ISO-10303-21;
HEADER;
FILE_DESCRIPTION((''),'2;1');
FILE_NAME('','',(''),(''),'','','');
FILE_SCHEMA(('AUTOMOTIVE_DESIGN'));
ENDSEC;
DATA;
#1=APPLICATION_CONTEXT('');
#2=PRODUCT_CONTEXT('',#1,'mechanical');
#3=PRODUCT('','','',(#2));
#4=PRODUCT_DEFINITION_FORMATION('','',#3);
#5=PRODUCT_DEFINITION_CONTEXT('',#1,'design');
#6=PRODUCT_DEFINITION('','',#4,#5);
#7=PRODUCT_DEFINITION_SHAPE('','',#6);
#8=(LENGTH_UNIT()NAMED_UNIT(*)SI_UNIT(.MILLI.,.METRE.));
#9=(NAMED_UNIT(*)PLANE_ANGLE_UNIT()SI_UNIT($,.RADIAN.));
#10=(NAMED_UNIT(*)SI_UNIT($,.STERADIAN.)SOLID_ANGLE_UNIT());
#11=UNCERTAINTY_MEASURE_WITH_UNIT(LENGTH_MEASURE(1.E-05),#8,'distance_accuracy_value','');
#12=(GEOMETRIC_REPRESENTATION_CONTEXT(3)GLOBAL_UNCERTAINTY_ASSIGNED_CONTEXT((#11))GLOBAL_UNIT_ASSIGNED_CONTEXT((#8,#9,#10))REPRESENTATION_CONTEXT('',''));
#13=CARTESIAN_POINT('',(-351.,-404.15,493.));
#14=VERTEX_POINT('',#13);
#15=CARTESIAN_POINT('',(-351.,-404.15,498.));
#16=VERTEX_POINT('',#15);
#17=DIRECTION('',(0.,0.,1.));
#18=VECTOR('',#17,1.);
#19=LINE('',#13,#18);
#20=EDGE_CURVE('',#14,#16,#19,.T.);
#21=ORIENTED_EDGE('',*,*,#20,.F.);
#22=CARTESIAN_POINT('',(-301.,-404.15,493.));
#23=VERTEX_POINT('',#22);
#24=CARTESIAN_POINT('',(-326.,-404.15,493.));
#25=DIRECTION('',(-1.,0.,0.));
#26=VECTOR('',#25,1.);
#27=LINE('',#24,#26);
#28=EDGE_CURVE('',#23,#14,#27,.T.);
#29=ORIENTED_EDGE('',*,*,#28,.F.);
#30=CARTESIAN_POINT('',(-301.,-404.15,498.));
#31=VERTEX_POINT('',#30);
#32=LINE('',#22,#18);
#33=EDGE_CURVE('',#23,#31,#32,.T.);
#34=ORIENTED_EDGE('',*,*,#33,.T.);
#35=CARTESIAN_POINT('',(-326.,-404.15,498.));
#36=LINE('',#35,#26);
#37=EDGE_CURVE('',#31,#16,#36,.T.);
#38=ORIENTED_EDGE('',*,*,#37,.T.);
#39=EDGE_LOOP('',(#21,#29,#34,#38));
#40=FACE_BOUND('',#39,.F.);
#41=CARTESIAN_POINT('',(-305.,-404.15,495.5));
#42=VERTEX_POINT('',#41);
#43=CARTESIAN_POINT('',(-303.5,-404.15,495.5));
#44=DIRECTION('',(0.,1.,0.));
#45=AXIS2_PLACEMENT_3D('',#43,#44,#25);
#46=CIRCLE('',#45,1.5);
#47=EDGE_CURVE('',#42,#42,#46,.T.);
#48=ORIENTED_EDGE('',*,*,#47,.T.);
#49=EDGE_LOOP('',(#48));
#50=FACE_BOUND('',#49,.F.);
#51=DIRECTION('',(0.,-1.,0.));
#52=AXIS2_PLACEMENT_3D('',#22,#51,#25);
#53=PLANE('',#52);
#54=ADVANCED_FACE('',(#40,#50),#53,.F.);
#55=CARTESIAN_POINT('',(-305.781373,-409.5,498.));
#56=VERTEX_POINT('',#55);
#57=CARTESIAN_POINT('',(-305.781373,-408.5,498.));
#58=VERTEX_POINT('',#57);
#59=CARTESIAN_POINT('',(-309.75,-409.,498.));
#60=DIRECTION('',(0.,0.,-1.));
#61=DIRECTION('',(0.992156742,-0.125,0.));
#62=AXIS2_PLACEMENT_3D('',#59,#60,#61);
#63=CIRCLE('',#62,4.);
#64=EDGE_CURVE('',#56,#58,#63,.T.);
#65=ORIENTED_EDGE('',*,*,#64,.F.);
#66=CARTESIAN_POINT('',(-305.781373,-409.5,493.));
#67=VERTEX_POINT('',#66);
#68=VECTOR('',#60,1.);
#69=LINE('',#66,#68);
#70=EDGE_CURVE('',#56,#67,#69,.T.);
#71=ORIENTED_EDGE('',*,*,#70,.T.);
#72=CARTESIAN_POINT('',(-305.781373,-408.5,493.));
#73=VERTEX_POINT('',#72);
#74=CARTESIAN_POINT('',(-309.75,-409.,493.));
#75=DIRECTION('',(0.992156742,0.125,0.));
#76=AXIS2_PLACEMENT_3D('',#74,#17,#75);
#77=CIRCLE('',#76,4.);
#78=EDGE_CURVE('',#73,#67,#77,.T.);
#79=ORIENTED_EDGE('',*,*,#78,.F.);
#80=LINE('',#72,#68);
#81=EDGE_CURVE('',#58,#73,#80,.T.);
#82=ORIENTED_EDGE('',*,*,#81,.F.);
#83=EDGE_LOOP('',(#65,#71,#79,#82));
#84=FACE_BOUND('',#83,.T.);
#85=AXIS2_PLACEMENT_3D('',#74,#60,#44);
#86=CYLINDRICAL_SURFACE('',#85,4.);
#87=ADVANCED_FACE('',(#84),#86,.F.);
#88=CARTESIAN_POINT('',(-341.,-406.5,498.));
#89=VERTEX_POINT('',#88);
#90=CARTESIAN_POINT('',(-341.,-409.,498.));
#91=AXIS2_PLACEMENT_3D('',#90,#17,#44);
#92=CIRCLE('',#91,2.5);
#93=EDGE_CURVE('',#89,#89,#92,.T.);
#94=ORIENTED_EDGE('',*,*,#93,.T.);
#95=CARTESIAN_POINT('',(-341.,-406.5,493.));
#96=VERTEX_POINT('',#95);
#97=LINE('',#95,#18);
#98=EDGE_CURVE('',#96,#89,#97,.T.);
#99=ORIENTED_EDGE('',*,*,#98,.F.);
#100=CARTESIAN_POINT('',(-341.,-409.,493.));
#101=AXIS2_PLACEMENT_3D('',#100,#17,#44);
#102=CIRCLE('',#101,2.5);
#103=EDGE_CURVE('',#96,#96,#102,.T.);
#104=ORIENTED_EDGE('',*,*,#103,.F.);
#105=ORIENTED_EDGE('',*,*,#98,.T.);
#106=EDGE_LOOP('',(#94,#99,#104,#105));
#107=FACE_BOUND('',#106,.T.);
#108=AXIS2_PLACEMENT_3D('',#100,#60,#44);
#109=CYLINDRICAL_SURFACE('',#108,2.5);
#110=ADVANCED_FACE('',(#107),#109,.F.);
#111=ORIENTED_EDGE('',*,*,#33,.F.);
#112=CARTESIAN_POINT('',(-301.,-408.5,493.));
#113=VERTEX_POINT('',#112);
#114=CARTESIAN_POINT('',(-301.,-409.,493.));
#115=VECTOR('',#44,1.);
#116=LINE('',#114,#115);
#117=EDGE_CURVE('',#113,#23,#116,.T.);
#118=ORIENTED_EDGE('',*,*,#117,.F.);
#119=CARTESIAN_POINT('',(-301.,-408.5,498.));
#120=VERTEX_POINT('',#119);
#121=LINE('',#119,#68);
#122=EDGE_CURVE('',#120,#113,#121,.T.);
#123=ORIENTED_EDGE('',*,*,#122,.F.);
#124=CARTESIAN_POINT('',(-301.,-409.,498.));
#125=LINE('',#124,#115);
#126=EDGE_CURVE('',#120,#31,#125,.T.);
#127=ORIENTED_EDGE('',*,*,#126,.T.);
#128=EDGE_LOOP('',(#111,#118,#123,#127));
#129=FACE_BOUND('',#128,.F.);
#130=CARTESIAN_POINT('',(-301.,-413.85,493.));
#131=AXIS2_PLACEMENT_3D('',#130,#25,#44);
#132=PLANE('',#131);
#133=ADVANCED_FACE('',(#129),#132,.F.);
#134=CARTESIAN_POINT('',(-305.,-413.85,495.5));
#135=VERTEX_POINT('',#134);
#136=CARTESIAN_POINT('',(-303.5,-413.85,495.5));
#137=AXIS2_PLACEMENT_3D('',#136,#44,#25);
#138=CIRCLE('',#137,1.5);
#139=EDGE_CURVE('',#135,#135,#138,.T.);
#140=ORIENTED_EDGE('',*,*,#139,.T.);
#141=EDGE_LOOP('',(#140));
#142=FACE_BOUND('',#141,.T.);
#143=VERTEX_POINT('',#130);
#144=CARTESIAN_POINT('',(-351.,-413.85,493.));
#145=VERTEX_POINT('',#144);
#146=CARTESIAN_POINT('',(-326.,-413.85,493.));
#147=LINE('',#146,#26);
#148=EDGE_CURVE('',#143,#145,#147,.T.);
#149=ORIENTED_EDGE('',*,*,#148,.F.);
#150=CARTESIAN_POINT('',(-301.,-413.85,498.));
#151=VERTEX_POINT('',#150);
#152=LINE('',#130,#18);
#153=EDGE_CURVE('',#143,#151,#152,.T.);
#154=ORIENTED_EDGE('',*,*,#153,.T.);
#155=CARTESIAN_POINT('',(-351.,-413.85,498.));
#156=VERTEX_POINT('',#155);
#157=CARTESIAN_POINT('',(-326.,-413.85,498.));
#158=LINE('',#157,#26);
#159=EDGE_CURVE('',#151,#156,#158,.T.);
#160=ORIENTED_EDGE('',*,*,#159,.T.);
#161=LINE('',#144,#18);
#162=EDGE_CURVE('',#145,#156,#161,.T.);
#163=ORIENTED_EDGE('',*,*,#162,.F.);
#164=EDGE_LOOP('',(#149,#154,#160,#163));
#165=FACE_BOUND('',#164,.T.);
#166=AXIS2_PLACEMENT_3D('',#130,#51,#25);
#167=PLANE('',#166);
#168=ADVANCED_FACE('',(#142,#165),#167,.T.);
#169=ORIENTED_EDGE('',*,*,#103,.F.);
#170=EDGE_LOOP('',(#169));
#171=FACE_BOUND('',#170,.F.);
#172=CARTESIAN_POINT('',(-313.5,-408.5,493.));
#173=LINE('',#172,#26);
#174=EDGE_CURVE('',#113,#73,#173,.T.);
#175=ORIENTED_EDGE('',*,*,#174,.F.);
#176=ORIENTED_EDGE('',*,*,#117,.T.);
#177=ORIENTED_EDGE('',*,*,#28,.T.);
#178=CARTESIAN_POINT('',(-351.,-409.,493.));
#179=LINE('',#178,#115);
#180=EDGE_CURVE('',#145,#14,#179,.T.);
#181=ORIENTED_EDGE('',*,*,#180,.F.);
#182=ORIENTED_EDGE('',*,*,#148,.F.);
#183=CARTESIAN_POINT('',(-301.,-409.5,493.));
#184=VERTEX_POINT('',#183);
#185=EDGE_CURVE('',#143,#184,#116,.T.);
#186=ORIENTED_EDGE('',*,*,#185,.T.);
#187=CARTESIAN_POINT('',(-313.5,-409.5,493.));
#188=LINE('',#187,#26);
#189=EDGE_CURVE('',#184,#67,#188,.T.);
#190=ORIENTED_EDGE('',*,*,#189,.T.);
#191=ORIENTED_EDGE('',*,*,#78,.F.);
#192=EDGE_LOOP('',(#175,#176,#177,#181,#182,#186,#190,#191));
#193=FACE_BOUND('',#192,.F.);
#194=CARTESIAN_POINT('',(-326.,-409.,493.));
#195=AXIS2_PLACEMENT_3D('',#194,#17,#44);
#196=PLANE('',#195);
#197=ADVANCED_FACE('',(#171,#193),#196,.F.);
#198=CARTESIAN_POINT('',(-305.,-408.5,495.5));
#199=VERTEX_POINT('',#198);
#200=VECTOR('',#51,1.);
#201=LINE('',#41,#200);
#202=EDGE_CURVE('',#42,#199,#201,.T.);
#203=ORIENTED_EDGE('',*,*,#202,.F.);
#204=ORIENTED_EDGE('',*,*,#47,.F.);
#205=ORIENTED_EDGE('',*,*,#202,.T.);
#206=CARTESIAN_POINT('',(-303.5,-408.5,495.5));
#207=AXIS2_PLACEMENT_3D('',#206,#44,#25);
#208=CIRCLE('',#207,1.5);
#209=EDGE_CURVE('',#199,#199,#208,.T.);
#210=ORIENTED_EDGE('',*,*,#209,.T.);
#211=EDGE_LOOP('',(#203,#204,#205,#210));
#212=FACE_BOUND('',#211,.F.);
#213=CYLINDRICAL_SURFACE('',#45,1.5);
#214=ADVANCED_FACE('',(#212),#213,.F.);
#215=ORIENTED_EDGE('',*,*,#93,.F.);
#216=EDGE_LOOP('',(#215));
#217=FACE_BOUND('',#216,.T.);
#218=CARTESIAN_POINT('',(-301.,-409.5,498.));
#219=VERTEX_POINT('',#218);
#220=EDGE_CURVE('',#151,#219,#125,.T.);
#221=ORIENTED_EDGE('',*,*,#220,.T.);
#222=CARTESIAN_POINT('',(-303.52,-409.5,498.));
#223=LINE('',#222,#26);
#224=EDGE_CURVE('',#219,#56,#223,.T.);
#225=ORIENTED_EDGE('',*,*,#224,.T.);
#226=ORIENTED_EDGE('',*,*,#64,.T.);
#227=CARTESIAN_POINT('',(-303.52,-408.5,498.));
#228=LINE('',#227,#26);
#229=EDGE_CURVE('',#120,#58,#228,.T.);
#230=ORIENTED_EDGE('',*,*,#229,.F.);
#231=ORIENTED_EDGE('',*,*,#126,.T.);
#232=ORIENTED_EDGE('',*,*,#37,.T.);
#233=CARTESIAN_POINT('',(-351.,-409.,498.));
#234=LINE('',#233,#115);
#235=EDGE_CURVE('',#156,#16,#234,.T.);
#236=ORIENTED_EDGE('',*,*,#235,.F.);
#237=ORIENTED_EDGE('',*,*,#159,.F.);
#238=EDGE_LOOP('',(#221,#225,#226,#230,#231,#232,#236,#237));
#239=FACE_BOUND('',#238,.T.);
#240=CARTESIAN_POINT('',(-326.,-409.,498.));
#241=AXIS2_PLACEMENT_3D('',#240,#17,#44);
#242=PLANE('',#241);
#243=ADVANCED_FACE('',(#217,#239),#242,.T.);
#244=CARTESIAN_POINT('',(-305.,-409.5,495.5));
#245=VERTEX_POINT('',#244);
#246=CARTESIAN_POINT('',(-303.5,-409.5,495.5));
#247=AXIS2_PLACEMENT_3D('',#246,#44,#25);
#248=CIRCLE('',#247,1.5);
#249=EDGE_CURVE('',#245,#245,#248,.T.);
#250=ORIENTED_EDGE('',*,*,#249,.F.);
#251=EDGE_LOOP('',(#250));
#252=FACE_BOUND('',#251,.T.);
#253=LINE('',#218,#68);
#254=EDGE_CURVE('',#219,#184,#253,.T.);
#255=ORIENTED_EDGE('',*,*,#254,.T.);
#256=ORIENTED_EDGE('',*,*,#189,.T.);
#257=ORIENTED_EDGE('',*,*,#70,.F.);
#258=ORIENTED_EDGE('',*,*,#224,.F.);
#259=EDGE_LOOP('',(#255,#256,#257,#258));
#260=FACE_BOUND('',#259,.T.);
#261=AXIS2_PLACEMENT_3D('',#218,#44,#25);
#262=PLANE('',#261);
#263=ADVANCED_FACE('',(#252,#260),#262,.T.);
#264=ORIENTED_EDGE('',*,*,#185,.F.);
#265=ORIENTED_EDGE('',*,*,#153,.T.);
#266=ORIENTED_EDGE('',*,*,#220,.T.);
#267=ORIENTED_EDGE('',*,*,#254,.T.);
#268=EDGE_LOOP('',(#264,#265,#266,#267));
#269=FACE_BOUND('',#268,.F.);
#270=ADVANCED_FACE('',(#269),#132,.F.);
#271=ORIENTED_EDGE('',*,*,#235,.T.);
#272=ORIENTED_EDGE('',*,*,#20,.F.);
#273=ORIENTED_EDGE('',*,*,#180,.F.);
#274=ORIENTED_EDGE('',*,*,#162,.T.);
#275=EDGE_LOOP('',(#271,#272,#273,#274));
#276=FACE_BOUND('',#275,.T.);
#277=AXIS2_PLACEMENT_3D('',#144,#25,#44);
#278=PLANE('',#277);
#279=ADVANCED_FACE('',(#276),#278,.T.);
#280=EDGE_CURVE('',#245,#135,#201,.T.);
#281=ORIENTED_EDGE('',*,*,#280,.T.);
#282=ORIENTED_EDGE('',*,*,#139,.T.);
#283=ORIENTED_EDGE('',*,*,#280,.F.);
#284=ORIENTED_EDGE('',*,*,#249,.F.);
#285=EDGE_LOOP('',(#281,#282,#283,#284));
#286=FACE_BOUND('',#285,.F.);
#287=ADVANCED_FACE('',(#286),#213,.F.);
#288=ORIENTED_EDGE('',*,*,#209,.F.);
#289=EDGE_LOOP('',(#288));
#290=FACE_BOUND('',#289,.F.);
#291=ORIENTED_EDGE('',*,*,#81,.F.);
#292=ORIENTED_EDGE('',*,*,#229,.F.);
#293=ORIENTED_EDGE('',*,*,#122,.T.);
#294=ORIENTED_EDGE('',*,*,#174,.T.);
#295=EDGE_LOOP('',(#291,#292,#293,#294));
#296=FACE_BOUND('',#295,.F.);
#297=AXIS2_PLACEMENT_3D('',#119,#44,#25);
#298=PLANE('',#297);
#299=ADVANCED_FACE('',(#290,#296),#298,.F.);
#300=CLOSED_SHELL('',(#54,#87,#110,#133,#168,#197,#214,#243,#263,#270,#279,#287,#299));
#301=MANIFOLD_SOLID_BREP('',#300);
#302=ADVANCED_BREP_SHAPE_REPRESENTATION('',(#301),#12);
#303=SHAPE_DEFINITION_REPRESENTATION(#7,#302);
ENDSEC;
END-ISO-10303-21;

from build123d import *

# Parameters (mm, degrees)
SKETCH048_W           = 9.7
SKETCH048_H           = 50
SKETCH048_R           = 4
SKETCH048_R_2         = 2.5
PAD028_DEPTH          = 5
SKETCH049_W           = 1
SKETCH049_H           = 5.04
POCKET023_DEPTH       = 5.001
SKETCH050_R           = 1.5
POCKET024_DEPTH       = 9.701
CLONE_PLACEMENT_ANGLE = 90


with BuildPart() as part:
    # Sketch048 → Pad028 (new body)
    with BuildSketch(Plane.XY):
        Rectangle(SKETCH048_W, SKETCH048_H)
        with Locations((0, -16.25)):
            Circle(SKETCH048_R, mode=Mode.SUBTRACT)
        with Locations((0, 15)):
            Circle(SKETCH048_R_2, mode=Mode.SUBTRACT)
    extrude(amount=PAD028_DEPTH)

    # Sketch049 (on Face8 of Pad028) → Pocket023 (cut, through all)
    with BuildSketch(Plane.XY.offset(5)):
        with Locations((0, -22.48)):
            Rectangle(SKETCH049_W, SKETCH049_H)
    extrude(amount=-POCKET023_DEPTH, mode=Mode.SUBTRACT)

    # Sketch050 (on Face3 of Pocket023) → Pocket024 (cut, through all)
    with BuildSketch(Plane.YZ.offset(4.85)):
        with Locations((-22.5, 2.5)):
            Circle(SKETCH050_R)
    extrude(amount=-POCKET024_DEPTH, mode=Mode.SUBTRACT)


with BuildPart() as part_1:
    # Clone placement: moved
    add(part.part.moved(Location((-326, 1, 493))).rotate(Axis((-326, 1, 493), (0, 0, 1)), CLONE_PLACEMENT_ANGLE))


with BuildPart() as part_2:
    # Clone044 placement: moved
    add(part_1.part.moved(Location((0, -410, 0))))


solid = part_2.part
